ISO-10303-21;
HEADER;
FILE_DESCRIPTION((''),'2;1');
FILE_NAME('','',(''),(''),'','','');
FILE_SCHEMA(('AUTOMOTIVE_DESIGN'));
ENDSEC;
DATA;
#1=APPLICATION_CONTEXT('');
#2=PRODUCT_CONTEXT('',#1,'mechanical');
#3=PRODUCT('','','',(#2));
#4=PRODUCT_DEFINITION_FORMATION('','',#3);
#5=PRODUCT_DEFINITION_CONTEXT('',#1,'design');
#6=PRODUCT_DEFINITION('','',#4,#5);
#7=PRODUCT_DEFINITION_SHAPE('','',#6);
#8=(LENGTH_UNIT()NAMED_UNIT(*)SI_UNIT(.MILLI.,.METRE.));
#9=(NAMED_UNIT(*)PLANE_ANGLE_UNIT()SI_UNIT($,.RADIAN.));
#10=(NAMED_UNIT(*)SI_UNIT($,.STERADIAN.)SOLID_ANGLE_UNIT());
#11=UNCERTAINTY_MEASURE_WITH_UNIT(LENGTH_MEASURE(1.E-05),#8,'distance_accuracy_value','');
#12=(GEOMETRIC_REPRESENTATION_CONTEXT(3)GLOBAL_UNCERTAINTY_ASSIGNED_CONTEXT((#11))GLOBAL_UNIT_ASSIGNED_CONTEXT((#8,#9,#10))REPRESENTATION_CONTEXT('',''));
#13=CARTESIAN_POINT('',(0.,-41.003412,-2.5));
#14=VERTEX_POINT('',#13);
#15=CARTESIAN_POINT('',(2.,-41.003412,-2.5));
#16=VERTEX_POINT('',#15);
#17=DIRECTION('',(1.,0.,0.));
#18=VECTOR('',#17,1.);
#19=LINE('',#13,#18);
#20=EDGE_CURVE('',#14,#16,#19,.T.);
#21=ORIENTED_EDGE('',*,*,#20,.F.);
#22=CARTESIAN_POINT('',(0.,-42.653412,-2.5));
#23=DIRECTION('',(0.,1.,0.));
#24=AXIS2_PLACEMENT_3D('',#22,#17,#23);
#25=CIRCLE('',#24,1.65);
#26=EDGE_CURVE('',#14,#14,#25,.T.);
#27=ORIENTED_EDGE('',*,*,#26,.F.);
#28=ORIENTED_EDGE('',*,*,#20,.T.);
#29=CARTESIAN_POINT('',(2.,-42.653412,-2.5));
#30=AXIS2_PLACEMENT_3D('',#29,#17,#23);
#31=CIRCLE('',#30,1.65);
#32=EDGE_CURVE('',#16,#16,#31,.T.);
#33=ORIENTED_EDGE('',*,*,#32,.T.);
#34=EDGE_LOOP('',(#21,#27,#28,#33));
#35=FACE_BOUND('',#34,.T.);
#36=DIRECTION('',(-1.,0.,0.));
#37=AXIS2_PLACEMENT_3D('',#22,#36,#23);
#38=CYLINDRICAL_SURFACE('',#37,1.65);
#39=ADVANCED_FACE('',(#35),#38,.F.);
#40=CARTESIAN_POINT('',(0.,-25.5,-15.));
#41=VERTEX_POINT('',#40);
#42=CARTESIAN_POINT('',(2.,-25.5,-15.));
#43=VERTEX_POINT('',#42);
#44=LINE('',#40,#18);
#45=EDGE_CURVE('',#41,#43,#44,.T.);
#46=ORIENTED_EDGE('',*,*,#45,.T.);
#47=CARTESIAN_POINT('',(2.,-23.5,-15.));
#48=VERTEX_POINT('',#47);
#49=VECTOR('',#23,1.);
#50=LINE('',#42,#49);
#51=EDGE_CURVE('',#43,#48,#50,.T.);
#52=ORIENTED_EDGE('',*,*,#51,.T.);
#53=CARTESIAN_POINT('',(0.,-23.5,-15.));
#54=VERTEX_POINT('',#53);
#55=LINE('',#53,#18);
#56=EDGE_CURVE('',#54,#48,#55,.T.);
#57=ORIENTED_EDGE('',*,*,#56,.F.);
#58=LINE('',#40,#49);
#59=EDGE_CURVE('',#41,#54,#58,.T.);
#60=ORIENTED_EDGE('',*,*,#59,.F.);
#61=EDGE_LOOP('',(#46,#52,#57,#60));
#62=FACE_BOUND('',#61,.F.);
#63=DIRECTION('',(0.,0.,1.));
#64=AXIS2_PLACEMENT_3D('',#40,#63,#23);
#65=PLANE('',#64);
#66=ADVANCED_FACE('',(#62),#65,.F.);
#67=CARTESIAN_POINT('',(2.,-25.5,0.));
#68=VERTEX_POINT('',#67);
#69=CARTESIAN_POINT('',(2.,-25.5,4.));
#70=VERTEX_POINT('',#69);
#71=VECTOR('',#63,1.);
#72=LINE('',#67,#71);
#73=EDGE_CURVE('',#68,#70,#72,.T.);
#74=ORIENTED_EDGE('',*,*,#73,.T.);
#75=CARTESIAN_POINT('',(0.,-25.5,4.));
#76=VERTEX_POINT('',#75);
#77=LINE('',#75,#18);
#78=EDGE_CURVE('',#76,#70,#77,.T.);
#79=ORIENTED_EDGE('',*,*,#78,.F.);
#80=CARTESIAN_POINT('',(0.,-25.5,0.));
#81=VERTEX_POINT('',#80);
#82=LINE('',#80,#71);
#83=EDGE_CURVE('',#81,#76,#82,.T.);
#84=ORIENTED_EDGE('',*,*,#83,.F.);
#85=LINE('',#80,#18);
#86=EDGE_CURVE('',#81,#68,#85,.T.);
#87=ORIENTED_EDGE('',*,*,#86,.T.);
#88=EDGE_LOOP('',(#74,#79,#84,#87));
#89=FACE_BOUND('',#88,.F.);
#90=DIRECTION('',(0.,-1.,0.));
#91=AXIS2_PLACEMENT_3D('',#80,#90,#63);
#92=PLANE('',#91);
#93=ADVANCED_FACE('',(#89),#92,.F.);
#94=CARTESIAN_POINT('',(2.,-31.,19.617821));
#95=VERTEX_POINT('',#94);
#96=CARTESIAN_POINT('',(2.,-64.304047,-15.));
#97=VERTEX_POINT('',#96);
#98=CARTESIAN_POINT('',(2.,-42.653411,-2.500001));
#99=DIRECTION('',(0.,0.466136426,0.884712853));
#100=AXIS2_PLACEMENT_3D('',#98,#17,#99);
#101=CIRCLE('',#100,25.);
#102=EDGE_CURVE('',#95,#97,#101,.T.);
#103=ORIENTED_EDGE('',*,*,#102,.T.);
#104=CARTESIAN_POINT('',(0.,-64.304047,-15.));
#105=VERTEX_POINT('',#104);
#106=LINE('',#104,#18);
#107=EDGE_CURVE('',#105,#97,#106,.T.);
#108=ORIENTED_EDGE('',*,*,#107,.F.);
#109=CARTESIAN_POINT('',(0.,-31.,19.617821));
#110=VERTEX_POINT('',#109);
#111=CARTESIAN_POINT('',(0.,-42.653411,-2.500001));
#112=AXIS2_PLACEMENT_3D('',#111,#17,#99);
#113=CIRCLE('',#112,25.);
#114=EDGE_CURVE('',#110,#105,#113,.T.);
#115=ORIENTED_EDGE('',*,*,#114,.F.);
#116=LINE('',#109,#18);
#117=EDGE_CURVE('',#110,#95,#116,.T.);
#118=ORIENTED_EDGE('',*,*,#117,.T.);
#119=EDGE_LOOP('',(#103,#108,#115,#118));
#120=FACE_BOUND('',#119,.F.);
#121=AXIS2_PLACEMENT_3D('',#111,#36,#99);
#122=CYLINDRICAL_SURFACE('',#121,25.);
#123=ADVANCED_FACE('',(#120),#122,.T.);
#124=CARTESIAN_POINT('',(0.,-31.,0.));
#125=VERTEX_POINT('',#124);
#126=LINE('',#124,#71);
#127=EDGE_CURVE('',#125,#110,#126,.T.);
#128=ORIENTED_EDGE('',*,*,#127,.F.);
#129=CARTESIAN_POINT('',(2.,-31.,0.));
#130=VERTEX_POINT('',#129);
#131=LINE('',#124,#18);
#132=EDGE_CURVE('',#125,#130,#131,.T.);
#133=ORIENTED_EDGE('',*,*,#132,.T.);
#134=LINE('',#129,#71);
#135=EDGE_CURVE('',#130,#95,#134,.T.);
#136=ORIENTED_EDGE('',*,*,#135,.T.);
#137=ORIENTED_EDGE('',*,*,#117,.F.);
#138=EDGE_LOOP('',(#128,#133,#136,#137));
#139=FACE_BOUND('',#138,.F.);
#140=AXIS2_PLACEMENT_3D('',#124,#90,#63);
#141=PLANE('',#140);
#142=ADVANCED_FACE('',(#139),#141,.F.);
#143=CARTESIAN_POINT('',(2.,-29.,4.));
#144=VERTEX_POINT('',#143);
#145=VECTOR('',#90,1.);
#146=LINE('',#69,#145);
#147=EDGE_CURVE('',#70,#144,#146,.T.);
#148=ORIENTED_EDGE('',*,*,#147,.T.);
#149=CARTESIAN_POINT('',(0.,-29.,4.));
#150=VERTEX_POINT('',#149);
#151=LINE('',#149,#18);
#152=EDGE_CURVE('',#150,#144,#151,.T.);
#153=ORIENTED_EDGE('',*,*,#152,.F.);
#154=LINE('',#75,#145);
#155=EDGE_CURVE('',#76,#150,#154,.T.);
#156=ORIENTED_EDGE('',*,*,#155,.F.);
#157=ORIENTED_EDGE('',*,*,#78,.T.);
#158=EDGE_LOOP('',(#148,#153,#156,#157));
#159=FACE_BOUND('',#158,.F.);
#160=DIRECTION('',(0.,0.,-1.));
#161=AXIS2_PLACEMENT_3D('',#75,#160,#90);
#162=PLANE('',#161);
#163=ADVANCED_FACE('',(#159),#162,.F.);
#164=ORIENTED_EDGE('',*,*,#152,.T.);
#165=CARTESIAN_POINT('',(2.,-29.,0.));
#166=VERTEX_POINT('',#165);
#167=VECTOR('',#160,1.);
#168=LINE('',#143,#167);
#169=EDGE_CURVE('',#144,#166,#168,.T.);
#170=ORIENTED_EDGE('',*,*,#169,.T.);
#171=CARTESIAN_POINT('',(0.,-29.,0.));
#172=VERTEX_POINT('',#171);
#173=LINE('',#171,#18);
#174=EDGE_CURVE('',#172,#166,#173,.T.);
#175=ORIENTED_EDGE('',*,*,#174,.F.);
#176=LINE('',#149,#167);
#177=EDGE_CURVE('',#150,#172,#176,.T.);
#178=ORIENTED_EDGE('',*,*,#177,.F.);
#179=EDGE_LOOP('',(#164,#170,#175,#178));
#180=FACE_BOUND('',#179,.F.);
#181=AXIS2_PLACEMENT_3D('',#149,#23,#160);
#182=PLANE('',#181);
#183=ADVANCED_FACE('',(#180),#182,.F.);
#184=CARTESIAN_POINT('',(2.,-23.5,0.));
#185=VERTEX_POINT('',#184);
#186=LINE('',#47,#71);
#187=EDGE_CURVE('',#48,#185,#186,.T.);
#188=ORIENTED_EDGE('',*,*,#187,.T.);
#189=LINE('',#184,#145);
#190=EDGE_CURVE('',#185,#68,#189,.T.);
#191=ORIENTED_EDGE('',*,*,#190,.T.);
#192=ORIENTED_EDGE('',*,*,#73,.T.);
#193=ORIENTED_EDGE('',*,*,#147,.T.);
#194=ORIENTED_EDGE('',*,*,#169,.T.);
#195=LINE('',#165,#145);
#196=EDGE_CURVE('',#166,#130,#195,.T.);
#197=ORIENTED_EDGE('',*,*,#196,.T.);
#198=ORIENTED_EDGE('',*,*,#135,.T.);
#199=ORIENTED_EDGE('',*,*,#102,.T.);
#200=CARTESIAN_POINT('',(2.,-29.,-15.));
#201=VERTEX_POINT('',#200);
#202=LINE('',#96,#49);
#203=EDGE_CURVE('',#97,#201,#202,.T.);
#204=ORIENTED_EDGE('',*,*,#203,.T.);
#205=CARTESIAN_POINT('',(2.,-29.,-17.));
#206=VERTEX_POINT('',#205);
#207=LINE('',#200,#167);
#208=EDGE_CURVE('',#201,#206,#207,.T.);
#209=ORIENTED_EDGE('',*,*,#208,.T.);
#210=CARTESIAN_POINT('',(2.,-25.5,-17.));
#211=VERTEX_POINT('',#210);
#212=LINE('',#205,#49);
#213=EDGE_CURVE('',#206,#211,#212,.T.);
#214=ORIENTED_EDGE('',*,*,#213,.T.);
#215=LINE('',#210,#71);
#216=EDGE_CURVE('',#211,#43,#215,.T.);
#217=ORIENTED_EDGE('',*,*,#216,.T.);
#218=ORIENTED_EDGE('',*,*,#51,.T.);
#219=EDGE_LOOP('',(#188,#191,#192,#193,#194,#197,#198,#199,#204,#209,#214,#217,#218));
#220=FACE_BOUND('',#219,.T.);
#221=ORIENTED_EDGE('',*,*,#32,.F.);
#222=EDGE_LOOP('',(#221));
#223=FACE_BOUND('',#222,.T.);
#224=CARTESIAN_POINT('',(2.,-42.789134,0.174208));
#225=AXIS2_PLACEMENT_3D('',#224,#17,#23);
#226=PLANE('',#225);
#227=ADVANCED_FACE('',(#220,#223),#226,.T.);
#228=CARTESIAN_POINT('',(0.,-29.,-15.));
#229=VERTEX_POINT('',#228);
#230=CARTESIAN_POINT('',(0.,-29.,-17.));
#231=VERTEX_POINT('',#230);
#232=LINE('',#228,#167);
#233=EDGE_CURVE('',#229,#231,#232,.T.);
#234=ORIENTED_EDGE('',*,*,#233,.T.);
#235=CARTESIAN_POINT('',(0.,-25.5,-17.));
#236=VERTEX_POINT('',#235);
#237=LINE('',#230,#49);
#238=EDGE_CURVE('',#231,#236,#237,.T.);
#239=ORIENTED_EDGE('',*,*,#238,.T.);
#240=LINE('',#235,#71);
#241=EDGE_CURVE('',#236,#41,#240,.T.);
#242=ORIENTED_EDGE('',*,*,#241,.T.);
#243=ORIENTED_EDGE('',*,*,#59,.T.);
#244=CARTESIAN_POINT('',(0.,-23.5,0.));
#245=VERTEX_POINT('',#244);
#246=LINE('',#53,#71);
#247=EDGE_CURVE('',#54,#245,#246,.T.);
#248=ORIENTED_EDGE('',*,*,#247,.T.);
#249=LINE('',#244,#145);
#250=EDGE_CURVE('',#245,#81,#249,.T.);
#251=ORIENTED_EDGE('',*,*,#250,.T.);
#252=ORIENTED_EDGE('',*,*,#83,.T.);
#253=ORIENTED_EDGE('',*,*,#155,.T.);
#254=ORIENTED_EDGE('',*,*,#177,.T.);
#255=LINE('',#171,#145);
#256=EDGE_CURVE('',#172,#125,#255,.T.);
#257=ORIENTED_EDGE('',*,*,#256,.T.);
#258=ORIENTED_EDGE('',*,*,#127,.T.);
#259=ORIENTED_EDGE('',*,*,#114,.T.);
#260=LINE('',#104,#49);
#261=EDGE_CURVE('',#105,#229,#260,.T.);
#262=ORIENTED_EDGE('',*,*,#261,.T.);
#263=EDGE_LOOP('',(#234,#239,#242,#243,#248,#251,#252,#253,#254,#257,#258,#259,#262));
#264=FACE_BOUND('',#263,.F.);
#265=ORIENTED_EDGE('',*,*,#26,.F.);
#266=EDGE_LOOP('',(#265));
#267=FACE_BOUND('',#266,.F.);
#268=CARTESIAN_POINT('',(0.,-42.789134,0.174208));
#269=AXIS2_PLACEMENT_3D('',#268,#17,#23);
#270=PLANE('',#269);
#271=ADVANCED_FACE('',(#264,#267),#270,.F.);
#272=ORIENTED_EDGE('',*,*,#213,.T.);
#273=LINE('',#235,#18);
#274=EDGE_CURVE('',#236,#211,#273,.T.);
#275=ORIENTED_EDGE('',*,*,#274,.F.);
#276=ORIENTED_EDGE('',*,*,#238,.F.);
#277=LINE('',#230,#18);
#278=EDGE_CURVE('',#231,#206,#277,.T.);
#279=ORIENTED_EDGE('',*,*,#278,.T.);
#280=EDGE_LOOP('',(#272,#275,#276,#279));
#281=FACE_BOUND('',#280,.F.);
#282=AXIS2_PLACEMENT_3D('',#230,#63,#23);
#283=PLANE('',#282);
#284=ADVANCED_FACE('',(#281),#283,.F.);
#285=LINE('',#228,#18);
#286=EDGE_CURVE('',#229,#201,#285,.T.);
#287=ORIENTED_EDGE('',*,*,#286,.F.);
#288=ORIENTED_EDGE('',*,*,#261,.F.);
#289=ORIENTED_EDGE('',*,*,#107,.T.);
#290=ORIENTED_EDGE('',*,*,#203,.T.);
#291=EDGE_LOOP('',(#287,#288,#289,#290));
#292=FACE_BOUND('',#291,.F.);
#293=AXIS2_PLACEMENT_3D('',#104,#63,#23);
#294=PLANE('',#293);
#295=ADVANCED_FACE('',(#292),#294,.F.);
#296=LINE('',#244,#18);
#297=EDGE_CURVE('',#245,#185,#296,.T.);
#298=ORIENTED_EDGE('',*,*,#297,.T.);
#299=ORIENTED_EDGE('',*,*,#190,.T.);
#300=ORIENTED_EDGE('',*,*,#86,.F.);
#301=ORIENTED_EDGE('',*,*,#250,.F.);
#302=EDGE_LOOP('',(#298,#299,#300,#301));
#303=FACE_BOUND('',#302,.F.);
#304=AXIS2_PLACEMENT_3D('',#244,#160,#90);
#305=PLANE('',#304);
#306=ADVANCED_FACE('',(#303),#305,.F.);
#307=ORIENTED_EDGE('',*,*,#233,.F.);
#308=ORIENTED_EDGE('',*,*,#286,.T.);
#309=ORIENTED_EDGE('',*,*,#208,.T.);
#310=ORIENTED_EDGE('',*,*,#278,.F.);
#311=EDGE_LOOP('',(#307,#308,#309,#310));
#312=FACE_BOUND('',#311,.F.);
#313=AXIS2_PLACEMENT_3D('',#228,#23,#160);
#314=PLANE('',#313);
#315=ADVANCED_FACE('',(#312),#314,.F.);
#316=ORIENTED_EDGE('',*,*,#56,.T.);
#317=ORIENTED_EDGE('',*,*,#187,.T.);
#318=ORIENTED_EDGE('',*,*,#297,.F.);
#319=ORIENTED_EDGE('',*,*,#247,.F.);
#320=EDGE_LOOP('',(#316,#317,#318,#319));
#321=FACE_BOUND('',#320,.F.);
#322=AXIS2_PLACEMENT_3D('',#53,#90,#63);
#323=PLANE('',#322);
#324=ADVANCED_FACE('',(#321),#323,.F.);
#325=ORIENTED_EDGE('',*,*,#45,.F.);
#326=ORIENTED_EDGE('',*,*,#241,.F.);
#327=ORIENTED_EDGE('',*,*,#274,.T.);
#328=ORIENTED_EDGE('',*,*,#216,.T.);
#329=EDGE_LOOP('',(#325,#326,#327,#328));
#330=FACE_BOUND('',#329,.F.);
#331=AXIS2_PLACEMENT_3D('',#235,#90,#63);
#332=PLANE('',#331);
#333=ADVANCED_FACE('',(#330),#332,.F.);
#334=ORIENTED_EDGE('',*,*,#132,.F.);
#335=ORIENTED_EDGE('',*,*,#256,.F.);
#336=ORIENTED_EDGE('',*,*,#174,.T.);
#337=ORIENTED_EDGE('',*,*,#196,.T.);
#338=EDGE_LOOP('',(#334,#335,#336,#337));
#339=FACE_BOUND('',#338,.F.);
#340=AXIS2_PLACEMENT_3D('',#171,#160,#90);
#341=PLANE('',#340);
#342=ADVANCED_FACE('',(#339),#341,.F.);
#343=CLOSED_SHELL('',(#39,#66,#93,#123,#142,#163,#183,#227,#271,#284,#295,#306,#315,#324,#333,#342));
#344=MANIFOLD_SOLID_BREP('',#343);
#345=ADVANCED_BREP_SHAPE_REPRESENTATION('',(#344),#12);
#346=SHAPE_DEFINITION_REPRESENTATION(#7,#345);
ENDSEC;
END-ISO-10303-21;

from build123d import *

# Parameters (mm, degrees)
F0_R     = 1.65
F1_DEPTH = 2


with BuildPart() as f1:
    # F0 (on Right) → F1 (new body)
    with BuildSketch(Plane.YZ):
        with BuildLine():
            Line((-29, 0), (-31, 0))
            Line((-31, 0), (-31, 4))
            Line((-31, 4), (-31, 19.617821))
            ThreePointArc((-31, 19.617821), (-60.66964, 14.832498), (-64.304047, -15))
            Line((-64.304047, -15), (-42.653412, -15))
            Line((-42.653412, -15), (-29, -15))
            Line((-29, -15), (-29, -17))
            Line((-29, -17), (-25.5, -17))
            Line((-25.5, -17), (-25.5, -15))
            Line((-25.5, -15), (-23.5, -15))
            Line((-23.5, -15), (-23.5, 0))
            Line((-23.5, 0), (-25.5, 0))
            Line((-25.5, 0), (-25.5, 4))
            Line((-25.5, 4), (-29, 4))
            Line((-29, 4), (-29, 0))
        make_face()
        with Locations((-42.653412, -2.5)):
            Circle(F0_R, mode=Mode.SUBTRACT)
    extrude(amount=F1_DEPTH)


solid = f1.part
